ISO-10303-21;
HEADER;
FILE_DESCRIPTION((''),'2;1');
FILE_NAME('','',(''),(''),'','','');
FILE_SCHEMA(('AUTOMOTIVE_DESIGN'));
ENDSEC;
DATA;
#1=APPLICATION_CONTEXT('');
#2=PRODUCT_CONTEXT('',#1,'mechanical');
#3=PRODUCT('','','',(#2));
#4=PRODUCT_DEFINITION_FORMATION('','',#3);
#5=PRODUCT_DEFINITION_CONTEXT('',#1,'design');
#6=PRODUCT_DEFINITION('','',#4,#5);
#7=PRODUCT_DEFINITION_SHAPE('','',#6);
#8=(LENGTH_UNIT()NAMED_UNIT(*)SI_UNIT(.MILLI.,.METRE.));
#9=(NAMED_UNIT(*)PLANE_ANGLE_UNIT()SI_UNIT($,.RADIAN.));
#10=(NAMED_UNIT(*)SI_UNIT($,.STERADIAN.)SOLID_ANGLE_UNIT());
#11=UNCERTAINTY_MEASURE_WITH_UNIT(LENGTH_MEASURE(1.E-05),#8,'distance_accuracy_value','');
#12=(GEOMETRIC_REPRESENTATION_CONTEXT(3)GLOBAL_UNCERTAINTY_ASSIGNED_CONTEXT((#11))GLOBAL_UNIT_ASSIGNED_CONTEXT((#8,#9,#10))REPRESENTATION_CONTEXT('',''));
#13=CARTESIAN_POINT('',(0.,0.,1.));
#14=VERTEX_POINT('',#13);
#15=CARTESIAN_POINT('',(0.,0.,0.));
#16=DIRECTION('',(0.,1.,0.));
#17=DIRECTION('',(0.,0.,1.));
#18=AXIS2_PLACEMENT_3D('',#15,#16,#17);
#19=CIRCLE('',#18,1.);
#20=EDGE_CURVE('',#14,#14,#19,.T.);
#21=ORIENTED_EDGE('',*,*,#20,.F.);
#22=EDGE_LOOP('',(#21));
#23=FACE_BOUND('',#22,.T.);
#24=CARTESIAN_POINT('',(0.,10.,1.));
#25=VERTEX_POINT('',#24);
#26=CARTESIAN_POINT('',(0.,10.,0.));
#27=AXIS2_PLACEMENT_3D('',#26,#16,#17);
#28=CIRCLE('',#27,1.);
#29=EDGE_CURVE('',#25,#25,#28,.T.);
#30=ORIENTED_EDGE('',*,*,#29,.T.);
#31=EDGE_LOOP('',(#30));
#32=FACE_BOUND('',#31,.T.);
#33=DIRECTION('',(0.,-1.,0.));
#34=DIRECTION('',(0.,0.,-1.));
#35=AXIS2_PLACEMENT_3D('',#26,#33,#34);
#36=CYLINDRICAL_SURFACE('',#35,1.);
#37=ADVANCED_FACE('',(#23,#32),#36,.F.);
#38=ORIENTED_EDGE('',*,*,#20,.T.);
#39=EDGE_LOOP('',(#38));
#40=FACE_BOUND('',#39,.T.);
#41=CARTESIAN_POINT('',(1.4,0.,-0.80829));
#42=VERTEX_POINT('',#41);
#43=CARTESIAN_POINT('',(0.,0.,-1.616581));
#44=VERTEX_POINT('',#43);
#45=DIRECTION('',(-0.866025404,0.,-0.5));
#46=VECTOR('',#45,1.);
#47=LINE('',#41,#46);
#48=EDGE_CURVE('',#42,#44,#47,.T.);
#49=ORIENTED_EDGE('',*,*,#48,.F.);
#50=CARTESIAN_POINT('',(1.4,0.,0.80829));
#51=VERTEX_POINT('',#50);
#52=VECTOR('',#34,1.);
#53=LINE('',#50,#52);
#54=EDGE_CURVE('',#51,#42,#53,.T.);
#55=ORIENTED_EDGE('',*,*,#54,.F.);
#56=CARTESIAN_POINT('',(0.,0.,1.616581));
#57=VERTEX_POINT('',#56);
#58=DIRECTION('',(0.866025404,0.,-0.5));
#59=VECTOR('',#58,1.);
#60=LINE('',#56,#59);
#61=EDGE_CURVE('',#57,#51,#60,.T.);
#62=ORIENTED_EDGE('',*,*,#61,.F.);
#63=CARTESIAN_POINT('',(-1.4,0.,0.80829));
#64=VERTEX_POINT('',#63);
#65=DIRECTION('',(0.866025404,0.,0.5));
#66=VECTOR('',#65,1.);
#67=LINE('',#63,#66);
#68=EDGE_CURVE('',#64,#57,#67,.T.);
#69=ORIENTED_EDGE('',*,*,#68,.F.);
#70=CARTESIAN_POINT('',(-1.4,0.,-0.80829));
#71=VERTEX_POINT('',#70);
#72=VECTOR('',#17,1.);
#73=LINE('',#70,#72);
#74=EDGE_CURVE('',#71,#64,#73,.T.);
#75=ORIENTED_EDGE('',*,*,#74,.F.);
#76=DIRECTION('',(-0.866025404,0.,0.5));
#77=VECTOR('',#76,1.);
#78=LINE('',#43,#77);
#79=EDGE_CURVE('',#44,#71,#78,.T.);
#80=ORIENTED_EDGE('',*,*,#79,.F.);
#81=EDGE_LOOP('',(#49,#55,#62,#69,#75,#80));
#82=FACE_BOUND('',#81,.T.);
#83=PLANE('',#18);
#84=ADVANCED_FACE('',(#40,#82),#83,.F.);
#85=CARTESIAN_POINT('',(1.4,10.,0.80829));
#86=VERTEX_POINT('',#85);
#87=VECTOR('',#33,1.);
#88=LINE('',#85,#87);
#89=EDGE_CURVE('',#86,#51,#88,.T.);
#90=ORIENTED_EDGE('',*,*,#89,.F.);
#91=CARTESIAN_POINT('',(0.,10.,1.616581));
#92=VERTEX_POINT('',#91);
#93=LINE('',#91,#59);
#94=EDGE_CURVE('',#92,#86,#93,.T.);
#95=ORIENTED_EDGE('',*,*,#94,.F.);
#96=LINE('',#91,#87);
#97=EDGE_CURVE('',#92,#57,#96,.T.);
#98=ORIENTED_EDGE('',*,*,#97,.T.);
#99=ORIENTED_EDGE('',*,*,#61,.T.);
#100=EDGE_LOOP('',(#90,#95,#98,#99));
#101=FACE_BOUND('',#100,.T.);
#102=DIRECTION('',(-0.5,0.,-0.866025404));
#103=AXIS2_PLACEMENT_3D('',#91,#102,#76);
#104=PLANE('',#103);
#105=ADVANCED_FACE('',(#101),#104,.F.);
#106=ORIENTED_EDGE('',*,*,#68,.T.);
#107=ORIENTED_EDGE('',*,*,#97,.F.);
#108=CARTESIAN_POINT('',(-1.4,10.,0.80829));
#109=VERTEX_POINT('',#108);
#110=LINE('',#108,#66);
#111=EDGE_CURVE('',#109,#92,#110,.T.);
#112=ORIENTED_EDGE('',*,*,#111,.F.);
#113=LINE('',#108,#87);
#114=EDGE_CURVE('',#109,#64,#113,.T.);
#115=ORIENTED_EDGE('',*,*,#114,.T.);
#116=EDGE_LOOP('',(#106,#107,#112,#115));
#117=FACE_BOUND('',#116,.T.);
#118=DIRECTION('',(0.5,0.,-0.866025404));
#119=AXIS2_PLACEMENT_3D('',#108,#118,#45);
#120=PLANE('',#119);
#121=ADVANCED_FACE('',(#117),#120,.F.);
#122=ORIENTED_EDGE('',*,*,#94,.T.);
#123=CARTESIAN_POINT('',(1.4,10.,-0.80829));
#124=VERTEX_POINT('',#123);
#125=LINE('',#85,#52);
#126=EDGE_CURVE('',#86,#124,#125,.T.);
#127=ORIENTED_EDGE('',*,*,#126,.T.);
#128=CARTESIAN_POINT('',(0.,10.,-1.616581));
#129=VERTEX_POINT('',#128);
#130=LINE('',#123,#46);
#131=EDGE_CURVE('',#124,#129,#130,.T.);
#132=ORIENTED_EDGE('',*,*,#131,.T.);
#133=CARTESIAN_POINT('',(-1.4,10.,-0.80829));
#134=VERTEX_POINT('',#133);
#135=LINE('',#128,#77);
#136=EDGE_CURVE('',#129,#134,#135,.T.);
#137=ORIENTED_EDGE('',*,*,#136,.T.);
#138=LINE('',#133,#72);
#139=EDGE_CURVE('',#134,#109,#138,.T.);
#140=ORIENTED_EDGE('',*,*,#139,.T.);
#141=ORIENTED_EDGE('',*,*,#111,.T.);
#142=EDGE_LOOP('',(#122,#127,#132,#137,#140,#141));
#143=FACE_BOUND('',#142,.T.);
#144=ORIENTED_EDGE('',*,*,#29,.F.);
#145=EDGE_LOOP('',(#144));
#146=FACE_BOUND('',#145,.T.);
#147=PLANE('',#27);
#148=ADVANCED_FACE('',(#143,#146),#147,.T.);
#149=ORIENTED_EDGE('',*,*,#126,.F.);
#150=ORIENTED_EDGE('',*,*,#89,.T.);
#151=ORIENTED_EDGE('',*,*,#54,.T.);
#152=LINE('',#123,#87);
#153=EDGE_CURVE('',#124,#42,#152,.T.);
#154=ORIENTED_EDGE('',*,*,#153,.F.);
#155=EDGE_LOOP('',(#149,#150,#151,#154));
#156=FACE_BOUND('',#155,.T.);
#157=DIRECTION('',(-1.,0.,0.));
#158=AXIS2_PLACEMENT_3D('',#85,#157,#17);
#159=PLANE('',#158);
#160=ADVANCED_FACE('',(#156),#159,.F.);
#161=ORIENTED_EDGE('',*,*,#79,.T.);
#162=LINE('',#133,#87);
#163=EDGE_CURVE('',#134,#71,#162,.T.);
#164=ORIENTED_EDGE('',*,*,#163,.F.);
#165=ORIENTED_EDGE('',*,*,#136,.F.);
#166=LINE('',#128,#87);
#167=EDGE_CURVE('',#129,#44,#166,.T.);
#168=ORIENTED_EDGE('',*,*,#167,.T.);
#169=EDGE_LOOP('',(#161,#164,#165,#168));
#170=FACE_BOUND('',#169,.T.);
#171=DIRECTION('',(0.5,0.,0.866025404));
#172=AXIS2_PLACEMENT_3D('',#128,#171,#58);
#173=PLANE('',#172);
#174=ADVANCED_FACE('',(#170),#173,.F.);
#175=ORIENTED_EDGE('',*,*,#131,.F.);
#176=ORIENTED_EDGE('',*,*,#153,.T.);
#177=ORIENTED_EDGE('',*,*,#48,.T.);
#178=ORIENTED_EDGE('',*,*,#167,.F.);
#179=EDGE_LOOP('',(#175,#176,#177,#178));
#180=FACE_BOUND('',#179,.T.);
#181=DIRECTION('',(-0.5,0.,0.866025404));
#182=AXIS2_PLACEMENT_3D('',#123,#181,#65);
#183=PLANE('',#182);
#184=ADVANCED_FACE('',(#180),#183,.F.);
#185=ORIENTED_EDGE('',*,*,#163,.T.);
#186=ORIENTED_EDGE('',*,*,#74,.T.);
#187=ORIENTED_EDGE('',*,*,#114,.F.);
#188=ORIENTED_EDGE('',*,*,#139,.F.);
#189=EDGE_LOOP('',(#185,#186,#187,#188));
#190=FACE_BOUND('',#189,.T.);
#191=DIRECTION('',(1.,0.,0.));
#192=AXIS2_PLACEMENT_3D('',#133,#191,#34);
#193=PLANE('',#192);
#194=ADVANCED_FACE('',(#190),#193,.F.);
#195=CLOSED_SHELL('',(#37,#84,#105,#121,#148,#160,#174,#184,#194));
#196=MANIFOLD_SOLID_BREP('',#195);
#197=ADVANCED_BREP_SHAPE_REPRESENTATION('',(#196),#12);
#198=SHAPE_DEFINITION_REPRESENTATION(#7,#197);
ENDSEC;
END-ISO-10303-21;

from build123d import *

# Parameters (mm, degrees)
SKETCH_1_R      = 1
EXTRUDE_1_DEPTH = 10


with BuildPart() as part:
    # 草图1 → 凸台-拉伸1 (new body)
    with BuildSketch(Plane(origin=(0, 0, 0), x_dir=(1, 0, 0), z_dir=(0, 1, 0))):
        Polygon((0, 1.616580754), (-1.4, 0.808290377), (-1.4, -0.808290377), (0, -1.616580754), (1.4, -0.808290377), (1.4, 0.808290377), align=None)
        with Locations(Location((0, 0, 0), (0, 0, 270))):
            Circle(SKETCH_1_R, mode=Mode.SUBTRACT)
    extrude(amount=EXTRUDE_1_DEPTH)


solid = part.part
